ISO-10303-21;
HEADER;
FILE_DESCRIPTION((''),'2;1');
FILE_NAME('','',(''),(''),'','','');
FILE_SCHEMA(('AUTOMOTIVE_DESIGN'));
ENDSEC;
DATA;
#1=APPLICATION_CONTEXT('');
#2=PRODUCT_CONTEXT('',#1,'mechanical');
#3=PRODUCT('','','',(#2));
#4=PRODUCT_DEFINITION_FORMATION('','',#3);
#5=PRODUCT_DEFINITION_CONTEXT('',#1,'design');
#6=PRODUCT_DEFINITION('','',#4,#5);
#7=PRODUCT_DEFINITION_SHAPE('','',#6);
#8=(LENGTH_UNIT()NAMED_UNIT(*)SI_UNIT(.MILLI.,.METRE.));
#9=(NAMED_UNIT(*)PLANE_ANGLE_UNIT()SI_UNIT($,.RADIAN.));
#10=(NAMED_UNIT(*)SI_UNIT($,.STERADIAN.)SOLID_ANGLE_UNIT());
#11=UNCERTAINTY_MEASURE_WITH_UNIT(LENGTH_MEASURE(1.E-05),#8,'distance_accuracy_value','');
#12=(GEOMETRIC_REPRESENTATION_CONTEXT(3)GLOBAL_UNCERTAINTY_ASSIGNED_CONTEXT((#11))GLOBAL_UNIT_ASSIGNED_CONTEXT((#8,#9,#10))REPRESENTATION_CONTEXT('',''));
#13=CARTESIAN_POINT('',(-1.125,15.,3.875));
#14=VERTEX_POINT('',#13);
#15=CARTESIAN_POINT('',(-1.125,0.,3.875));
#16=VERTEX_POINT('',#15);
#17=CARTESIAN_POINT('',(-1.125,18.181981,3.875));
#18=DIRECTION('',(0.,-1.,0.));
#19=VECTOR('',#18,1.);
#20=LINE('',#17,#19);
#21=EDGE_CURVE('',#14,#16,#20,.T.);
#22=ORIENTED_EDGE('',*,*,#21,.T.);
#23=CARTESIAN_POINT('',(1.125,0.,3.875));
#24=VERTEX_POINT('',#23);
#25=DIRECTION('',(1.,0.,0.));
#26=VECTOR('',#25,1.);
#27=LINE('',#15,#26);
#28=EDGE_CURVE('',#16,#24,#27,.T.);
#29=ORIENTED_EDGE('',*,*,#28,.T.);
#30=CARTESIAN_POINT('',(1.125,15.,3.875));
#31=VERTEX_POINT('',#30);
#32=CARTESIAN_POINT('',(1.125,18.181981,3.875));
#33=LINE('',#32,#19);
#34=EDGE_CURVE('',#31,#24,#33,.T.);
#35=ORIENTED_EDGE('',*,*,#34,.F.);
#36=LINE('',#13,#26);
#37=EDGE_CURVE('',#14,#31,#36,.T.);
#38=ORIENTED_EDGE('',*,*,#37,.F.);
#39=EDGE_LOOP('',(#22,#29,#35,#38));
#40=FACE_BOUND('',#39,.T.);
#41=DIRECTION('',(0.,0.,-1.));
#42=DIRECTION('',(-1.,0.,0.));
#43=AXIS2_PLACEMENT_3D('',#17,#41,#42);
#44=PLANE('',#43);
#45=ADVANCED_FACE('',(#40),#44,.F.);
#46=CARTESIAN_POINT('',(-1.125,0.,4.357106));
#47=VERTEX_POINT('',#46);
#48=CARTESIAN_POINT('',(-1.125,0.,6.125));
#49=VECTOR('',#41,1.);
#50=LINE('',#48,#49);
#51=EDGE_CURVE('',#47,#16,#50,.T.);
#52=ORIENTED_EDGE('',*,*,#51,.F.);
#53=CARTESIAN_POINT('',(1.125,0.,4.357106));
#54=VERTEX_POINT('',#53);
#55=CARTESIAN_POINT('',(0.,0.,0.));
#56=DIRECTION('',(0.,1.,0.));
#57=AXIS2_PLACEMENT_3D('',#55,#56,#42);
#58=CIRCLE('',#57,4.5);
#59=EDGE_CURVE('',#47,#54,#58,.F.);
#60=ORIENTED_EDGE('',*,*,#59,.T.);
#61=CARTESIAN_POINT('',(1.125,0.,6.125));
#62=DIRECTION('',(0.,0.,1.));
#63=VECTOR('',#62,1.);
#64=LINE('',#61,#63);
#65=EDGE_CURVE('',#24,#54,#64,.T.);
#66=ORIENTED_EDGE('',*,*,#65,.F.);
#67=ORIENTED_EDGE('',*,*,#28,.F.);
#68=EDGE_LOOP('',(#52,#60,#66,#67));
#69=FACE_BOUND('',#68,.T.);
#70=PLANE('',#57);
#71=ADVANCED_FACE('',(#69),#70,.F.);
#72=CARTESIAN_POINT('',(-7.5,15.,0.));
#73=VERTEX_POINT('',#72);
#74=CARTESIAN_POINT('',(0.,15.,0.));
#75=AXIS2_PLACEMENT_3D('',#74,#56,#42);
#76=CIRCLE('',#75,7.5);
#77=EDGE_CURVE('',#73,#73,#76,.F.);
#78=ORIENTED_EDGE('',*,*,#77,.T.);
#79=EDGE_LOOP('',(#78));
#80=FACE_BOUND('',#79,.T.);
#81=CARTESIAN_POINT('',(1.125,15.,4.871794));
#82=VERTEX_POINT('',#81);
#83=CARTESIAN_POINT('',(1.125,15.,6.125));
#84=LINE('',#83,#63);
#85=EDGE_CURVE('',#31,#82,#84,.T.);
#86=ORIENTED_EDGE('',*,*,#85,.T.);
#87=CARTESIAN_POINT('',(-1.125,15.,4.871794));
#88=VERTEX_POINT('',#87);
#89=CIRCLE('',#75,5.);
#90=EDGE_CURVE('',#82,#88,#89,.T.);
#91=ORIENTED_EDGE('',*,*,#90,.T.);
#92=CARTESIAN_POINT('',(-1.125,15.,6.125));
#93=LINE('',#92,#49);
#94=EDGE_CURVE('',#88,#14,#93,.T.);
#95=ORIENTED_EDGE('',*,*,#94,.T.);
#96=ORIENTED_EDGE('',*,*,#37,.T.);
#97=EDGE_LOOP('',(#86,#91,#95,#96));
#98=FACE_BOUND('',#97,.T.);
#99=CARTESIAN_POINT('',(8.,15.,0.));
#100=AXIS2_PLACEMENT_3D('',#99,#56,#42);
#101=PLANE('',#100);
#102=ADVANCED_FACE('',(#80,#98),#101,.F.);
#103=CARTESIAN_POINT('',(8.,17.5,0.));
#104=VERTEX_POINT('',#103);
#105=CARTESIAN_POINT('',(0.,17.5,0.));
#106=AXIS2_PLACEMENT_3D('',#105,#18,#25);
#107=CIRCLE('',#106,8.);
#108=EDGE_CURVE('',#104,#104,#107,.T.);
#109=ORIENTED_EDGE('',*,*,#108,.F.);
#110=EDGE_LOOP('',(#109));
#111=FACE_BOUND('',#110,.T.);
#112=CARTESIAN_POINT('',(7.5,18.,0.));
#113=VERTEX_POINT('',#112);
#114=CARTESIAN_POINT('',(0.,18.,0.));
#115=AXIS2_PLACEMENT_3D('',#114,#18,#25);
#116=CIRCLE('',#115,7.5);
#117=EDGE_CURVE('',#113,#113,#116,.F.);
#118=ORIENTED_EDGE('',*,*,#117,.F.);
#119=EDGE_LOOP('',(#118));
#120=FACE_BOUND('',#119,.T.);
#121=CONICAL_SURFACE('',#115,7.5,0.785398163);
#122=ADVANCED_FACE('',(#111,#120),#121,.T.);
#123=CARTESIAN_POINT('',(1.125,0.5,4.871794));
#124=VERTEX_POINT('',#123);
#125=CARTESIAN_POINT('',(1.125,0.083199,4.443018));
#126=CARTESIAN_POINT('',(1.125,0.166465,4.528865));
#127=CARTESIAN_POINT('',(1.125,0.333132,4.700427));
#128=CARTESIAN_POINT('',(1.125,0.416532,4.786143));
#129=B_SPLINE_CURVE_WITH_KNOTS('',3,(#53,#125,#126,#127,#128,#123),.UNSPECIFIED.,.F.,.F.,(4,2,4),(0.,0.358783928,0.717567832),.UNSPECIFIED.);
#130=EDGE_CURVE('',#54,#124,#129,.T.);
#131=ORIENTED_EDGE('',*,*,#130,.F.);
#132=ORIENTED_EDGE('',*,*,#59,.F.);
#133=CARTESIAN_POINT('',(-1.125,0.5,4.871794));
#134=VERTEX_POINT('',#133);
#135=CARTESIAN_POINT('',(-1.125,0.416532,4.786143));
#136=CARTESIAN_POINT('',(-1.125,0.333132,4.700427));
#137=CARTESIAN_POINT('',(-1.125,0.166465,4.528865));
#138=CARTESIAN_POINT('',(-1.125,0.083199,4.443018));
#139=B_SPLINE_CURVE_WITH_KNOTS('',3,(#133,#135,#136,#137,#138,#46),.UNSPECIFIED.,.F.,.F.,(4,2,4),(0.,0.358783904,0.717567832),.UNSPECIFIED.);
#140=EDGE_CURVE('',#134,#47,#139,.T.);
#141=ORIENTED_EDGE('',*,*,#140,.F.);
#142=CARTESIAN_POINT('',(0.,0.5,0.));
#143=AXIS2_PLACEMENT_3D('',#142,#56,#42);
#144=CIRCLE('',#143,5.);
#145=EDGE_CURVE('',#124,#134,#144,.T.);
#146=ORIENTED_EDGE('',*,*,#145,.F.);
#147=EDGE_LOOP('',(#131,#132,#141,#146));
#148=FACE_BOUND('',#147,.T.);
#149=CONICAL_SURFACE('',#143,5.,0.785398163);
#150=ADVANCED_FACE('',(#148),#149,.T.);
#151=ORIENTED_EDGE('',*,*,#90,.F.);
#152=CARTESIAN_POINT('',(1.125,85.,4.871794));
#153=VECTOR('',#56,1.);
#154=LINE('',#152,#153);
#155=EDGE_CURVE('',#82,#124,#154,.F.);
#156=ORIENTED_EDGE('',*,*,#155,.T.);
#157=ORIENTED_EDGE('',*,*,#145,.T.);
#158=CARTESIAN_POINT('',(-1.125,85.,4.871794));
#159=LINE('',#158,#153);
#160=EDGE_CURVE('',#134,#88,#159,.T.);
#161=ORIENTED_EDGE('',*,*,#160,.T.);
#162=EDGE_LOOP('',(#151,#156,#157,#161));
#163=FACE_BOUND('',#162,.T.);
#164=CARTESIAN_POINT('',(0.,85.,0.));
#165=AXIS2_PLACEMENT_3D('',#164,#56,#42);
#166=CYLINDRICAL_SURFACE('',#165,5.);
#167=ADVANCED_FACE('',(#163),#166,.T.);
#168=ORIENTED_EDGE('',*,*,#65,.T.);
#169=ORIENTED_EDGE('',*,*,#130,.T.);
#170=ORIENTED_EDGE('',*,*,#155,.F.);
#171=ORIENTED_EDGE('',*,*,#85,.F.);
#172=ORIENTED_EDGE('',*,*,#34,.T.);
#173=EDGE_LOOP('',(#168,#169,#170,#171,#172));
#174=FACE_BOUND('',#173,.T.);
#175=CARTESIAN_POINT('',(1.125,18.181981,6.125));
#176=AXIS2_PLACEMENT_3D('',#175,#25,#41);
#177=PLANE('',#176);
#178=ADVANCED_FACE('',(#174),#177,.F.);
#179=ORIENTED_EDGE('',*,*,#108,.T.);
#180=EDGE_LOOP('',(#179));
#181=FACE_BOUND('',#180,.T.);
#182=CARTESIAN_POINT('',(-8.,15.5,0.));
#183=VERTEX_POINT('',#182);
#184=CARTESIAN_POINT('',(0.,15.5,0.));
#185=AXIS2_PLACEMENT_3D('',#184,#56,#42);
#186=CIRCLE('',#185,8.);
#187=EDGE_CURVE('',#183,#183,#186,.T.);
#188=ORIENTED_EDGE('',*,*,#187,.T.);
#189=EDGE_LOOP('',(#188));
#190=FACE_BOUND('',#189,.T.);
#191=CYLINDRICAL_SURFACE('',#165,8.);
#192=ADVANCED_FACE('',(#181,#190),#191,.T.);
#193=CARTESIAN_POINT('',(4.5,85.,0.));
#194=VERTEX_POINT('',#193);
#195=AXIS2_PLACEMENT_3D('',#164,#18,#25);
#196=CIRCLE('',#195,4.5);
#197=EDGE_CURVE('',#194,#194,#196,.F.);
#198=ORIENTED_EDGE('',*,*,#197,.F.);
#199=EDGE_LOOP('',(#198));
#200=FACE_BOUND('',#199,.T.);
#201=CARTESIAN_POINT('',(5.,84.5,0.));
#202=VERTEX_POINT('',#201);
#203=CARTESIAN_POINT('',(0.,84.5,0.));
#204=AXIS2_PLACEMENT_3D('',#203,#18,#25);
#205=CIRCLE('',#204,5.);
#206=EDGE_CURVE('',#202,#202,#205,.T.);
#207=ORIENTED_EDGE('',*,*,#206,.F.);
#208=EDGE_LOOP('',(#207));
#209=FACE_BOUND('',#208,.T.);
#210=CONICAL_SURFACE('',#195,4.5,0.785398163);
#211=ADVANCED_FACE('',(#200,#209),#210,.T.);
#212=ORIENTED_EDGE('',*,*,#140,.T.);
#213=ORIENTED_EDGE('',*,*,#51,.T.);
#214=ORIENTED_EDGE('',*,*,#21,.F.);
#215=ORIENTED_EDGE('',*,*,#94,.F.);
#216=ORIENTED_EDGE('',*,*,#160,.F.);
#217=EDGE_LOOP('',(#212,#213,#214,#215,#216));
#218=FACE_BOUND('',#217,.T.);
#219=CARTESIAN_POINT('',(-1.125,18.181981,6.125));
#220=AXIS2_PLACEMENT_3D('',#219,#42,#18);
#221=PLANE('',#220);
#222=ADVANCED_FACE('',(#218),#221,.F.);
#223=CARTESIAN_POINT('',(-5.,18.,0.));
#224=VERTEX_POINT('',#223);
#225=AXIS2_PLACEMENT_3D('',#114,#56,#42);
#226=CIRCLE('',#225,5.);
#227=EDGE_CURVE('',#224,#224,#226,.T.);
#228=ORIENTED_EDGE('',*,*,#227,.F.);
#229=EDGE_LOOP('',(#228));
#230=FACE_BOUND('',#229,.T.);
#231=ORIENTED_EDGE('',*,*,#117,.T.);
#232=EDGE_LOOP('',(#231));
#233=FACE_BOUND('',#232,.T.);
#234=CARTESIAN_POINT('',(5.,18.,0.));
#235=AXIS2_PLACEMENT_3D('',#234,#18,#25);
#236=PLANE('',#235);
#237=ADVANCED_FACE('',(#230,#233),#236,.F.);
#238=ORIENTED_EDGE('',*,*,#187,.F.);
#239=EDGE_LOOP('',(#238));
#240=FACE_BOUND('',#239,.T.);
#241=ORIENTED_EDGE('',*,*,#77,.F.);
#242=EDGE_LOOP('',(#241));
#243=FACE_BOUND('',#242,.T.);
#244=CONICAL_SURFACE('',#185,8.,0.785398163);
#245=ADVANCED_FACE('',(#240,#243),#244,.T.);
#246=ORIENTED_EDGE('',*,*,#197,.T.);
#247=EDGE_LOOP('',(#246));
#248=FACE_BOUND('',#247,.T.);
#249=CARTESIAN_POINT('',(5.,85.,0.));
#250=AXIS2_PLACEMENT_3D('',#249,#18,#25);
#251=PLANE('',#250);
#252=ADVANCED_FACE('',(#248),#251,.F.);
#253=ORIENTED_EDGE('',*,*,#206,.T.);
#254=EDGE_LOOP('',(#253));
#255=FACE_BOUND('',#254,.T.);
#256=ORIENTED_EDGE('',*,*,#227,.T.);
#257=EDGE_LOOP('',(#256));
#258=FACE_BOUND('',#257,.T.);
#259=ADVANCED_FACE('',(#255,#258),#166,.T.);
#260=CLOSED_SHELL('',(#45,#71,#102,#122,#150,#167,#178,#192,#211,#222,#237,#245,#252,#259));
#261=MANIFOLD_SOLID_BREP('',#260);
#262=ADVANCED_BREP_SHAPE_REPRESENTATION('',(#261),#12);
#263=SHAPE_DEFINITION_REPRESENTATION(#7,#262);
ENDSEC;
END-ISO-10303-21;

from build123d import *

# Parameters (mm, degrees)
SKETCH2_W          = 2.25
SKETCH2_H          = 2.25
CUT_EXTRUDE1_DEPTH = 15
CHAMFER1_SIZE      = 0.5
CHAMFER2_SIZE      = 0.5


with BuildPart() as part:
    # Sketch1 → Revolve1 (revolve)
    with BuildSketch(Plane.XY, mode=Mode.PRIVATE) as revolve1_sk:
        Polygon((0, 0), (5, 0), (5, 15), (8, 15), (8, 18), (5, 18), (5, 85), (0, 85), align=None)
    revolve(revolve1_sk.sketch.rotate(Axis((0, 85, 0), (0, -1, 0)), 180), axis=Axis((0, 85, 0), (0, -1, 0)))

    # Sketch2 → Cut-Extrude1 (cut)
    with BuildSketch(Plane.XZ):
        with Locations((0, 5)):
            Rectangle(SKETCH2_W, SKETCH2_H)
    extrude(amount=-CUT_EXTRUDE1_DEPTH, mode=Mode.SUBTRACT)

    # Chamfer1
    chamfer1_edges = [part.edges().sort_by_distance(p)[0] for p in [
        (8, 18, 0),
        (8, 15, 0),
    ]]
    chamfer(chamfer1_edges, length=CHAMFER1_SIZE)

    # Chamfer2
    chamfer2_edges = [part.edges().sort_by_distance(p)[0] for p in [
        (0, 0, -5),
        (5, 85, 0),
    ]]
    chamfer(chamfer2_edges, length=CHAMFER2_SIZE)


solid = part.part
